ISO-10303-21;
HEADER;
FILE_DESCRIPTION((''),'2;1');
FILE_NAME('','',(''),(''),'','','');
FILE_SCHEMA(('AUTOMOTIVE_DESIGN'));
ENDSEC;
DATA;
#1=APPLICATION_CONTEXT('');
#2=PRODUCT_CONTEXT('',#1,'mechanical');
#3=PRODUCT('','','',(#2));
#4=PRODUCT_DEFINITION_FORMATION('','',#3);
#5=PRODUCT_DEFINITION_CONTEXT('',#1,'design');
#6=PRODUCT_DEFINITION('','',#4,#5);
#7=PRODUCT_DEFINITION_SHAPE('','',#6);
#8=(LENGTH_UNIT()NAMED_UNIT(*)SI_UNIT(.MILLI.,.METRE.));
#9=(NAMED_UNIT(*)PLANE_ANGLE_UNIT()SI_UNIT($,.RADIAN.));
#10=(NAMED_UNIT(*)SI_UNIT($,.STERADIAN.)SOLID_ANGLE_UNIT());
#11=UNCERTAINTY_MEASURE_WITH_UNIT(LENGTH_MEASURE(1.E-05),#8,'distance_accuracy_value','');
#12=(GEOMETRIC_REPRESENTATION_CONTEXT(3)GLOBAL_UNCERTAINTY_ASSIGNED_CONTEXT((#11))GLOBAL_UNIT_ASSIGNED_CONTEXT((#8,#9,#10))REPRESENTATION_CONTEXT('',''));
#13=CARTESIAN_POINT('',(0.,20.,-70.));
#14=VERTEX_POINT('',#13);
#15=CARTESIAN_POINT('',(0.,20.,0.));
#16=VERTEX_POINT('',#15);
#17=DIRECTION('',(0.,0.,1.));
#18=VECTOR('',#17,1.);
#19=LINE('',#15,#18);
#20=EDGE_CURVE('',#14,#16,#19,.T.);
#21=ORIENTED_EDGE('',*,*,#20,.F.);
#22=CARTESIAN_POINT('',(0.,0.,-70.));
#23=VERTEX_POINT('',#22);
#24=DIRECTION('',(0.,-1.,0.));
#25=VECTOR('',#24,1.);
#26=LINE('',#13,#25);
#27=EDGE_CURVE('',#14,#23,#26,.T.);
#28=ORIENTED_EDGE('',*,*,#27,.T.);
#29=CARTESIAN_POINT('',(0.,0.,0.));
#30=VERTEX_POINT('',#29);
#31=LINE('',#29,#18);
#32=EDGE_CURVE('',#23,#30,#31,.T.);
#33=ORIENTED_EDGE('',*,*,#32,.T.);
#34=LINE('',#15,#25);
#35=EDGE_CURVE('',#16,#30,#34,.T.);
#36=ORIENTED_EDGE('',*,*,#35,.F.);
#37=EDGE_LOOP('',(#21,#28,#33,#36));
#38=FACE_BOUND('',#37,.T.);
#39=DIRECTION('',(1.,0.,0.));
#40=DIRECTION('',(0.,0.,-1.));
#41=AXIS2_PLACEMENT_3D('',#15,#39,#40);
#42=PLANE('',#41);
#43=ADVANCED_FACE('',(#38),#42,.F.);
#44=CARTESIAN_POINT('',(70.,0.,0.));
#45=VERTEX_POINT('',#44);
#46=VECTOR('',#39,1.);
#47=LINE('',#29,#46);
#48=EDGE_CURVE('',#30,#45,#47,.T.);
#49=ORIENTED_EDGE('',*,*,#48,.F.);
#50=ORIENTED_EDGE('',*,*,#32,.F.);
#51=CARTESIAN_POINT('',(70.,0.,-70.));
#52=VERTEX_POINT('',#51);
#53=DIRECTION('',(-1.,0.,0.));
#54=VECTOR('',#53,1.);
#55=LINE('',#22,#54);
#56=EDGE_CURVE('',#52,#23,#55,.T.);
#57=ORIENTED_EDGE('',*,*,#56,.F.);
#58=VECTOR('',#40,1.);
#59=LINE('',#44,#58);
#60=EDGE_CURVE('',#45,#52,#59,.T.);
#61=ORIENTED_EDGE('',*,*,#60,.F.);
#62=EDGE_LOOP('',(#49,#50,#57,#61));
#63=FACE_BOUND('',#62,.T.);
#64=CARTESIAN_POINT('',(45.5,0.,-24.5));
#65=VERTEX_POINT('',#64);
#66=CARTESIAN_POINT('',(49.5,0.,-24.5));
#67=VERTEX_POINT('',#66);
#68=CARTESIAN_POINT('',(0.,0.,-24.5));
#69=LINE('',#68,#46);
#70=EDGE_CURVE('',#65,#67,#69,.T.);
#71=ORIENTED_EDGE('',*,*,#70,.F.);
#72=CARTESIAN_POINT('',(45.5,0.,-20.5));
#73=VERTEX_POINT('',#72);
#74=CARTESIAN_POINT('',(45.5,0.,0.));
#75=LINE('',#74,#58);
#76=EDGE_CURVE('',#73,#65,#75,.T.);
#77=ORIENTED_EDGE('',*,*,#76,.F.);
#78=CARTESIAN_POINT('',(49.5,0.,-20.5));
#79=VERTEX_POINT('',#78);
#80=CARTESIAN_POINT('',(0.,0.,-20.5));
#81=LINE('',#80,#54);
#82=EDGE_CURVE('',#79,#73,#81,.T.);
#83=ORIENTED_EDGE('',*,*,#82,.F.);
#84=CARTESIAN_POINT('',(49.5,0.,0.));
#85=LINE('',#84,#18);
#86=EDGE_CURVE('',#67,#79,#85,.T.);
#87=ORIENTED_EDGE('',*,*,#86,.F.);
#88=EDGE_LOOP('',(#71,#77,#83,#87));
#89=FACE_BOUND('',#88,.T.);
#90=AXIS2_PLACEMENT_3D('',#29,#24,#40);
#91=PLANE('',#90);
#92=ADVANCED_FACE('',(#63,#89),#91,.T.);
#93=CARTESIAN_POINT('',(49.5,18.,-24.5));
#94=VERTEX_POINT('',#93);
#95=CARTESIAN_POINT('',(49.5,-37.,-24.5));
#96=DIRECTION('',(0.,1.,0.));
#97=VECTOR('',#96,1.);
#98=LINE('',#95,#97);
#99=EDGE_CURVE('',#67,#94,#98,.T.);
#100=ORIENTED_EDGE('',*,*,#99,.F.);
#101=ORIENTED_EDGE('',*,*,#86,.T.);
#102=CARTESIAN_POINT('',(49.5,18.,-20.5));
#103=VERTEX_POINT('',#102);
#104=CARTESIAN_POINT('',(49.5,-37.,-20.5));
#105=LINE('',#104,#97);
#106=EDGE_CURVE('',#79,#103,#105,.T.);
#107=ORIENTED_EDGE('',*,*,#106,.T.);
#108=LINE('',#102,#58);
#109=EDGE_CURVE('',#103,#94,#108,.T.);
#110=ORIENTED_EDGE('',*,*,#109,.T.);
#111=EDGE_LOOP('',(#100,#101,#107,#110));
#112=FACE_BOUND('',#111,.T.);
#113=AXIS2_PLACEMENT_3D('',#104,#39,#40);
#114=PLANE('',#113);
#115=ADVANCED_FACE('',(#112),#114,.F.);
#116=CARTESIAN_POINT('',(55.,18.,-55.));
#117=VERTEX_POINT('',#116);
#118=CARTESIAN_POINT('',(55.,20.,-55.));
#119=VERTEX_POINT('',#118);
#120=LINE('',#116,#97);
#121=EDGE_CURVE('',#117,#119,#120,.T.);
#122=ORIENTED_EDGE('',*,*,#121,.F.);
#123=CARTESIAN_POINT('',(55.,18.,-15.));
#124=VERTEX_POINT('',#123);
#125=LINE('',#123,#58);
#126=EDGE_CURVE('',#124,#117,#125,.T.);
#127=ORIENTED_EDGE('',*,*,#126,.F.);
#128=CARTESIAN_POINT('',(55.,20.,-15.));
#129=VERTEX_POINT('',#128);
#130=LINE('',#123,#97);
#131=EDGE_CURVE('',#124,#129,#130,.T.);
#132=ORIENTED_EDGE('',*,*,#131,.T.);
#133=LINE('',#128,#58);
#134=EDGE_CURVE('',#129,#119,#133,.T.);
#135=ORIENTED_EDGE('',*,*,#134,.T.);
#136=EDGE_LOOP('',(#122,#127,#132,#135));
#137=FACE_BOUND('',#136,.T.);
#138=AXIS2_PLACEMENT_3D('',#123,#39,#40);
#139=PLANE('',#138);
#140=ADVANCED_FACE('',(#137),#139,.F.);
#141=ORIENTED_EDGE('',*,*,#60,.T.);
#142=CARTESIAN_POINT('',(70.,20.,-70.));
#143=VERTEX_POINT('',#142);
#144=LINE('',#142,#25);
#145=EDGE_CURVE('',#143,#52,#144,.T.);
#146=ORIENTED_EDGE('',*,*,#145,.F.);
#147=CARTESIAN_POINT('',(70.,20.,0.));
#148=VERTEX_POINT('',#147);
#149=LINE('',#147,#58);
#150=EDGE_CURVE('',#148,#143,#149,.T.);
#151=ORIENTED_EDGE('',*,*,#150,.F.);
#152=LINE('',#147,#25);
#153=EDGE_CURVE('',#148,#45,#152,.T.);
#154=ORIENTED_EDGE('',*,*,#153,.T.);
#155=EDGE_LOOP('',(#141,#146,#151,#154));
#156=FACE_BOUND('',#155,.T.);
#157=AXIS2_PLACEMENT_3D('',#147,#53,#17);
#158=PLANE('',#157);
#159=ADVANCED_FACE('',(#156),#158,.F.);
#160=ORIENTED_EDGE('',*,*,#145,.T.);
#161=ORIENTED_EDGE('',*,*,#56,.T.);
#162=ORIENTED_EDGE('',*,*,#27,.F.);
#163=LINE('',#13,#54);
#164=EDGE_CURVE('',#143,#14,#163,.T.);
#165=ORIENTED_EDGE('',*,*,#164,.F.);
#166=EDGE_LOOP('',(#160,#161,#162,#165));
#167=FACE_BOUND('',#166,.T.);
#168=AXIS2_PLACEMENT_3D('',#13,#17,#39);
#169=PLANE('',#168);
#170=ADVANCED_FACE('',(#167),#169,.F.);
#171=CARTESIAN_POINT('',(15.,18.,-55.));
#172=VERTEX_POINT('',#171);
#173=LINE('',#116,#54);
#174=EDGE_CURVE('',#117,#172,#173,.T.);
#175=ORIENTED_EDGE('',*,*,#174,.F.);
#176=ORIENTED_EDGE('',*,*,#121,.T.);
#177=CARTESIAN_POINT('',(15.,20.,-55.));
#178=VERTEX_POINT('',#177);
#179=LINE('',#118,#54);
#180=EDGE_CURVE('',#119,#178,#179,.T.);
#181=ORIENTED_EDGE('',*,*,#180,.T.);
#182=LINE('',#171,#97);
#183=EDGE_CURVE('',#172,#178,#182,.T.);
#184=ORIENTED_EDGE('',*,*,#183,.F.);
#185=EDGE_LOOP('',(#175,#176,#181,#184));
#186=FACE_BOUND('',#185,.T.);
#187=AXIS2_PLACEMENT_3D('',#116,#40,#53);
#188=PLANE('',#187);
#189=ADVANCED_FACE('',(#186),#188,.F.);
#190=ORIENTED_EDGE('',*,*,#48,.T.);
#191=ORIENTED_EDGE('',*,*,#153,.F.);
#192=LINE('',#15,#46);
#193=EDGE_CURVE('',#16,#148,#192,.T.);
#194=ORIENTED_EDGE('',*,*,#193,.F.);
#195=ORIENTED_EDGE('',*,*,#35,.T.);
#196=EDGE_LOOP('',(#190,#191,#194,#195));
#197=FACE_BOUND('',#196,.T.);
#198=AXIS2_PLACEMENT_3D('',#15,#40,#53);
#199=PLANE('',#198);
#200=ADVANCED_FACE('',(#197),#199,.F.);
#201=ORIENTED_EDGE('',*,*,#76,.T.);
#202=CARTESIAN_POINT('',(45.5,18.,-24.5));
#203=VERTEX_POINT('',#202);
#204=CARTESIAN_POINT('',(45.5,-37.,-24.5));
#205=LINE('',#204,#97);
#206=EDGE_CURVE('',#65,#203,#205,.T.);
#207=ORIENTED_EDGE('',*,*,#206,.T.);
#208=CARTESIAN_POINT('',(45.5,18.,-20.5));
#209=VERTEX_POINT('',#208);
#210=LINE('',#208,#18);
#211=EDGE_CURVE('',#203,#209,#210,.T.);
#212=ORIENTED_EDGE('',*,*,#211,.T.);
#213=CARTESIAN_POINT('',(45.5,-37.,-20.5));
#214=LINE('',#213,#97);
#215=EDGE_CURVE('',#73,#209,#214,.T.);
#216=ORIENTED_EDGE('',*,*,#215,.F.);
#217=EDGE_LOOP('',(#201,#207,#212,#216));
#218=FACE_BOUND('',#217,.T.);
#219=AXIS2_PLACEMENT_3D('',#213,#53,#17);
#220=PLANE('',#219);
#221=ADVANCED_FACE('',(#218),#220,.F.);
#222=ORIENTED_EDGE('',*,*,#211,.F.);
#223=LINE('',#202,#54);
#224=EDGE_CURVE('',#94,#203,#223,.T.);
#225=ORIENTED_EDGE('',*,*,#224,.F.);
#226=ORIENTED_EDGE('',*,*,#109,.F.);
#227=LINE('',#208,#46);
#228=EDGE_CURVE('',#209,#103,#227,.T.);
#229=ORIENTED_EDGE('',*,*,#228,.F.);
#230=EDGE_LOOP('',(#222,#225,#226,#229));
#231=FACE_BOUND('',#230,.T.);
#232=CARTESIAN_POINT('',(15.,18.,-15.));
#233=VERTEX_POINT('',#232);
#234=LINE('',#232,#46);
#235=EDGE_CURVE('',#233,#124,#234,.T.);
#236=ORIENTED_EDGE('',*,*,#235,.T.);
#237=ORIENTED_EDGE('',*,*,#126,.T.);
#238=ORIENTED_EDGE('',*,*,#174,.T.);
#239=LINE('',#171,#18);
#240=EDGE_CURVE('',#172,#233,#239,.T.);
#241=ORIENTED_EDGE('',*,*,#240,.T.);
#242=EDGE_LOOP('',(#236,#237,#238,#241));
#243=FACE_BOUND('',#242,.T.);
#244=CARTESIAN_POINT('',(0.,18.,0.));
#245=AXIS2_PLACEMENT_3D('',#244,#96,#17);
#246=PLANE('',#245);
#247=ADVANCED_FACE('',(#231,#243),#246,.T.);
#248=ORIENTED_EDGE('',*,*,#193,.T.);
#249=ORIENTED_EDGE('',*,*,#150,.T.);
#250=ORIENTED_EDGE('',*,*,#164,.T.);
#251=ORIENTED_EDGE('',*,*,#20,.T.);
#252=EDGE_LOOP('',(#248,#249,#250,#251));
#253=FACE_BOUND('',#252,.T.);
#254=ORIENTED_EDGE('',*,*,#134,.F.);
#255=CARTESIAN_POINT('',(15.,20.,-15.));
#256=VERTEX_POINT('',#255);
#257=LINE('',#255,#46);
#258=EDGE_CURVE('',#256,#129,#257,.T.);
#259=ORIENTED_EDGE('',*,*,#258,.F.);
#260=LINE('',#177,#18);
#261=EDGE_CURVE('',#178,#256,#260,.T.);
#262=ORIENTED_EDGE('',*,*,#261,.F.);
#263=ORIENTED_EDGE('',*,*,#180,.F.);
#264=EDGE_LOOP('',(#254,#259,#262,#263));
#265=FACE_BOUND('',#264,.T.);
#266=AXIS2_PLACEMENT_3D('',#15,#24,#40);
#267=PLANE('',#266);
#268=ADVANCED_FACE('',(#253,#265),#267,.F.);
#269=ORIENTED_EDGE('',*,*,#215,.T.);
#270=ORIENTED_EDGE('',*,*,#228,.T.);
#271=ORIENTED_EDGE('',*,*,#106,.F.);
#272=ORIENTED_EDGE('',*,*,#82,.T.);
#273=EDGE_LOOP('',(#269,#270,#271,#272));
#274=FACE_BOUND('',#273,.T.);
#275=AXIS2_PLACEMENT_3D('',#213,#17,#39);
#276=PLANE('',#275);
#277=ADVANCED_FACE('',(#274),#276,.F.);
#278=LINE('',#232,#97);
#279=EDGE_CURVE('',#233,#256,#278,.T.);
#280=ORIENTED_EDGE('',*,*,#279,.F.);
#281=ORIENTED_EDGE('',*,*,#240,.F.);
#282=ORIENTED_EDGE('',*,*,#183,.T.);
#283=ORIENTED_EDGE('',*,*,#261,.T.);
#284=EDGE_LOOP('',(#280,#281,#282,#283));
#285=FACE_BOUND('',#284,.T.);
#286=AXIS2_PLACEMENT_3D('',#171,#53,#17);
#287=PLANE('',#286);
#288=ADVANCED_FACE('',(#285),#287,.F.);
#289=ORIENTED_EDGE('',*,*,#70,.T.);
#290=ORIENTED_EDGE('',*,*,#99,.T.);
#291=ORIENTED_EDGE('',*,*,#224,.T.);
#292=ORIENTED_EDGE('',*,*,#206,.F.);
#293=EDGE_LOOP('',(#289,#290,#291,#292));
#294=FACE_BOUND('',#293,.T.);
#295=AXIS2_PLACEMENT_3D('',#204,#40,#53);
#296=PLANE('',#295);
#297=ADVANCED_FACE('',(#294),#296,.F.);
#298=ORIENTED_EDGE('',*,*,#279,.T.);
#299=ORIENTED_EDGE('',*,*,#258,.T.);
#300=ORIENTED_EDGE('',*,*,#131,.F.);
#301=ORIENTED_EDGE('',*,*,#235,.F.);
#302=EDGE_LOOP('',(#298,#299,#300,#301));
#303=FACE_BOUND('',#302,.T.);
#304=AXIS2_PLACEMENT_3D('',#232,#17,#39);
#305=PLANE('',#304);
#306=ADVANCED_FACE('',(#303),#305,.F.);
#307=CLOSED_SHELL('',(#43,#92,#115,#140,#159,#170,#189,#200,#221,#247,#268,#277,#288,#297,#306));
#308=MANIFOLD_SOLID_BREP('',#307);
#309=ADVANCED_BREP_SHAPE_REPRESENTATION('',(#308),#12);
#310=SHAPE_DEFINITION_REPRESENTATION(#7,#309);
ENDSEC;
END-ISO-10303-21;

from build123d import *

# Parameters (mm, degrees)
CROQUIS1_W              = 70
CROQUIS1_H              = 70
SALIENTE_EXTRUIR1_DEPTH = 20
CROQUIS2_W              = 40
CROQUIS2_H              = 40
CORTAR_EXTRUIR1_DEPTH   = 2
CROQUIS3_W              = 4
CROQUIS3_H              = 4
CORTAR_EXTRUIR2_DEPTH   = 55


with BuildPart() as part:
    # Croquis1 → Saliente-Extruir1 (new body)
    with BuildSketch(Plane(origin=(0, 0, 0), x_dir=(1, 0, 0), z_dir=(0, 1, 0))):
        with Locations((35, 35)):
            Rectangle(CROQUIS1_W, CROQUIS1_H)
    extrude(amount=SALIENTE_EXTRUIR1_DEPTH)

    # Croquis2 → Cortar-Extruir1 (cut)
    with BuildSketch(Plane(origin=(0, 20, 0), x_dir=(1, 0, 0), z_dir=(0, 1, 0))):
        with Locations((35, 35)):
            Rectangle(CROQUIS2_W, CROQUIS2_H)
    extrude(amount=-CORTAR_EXTRUIR1_DEPTH, mode=Mode.SUBTRACT)

    # Croquis3 → Cortar-Extruir2 (cut)
    with BuildSketch(Plane(origin=(0, 18, 0), x_dir=(1, 0, 0), z_dir=(0, 1, 0))):
        with Locations((47.5, 22.5)):
            Rectangle(CROQUIS3_W, CROQUIS3_H)
    extrude(amount=-CORTAR_EXTRUIR2_DEPTH, mode=Mode.SUBTRACT)


solid = part.part
